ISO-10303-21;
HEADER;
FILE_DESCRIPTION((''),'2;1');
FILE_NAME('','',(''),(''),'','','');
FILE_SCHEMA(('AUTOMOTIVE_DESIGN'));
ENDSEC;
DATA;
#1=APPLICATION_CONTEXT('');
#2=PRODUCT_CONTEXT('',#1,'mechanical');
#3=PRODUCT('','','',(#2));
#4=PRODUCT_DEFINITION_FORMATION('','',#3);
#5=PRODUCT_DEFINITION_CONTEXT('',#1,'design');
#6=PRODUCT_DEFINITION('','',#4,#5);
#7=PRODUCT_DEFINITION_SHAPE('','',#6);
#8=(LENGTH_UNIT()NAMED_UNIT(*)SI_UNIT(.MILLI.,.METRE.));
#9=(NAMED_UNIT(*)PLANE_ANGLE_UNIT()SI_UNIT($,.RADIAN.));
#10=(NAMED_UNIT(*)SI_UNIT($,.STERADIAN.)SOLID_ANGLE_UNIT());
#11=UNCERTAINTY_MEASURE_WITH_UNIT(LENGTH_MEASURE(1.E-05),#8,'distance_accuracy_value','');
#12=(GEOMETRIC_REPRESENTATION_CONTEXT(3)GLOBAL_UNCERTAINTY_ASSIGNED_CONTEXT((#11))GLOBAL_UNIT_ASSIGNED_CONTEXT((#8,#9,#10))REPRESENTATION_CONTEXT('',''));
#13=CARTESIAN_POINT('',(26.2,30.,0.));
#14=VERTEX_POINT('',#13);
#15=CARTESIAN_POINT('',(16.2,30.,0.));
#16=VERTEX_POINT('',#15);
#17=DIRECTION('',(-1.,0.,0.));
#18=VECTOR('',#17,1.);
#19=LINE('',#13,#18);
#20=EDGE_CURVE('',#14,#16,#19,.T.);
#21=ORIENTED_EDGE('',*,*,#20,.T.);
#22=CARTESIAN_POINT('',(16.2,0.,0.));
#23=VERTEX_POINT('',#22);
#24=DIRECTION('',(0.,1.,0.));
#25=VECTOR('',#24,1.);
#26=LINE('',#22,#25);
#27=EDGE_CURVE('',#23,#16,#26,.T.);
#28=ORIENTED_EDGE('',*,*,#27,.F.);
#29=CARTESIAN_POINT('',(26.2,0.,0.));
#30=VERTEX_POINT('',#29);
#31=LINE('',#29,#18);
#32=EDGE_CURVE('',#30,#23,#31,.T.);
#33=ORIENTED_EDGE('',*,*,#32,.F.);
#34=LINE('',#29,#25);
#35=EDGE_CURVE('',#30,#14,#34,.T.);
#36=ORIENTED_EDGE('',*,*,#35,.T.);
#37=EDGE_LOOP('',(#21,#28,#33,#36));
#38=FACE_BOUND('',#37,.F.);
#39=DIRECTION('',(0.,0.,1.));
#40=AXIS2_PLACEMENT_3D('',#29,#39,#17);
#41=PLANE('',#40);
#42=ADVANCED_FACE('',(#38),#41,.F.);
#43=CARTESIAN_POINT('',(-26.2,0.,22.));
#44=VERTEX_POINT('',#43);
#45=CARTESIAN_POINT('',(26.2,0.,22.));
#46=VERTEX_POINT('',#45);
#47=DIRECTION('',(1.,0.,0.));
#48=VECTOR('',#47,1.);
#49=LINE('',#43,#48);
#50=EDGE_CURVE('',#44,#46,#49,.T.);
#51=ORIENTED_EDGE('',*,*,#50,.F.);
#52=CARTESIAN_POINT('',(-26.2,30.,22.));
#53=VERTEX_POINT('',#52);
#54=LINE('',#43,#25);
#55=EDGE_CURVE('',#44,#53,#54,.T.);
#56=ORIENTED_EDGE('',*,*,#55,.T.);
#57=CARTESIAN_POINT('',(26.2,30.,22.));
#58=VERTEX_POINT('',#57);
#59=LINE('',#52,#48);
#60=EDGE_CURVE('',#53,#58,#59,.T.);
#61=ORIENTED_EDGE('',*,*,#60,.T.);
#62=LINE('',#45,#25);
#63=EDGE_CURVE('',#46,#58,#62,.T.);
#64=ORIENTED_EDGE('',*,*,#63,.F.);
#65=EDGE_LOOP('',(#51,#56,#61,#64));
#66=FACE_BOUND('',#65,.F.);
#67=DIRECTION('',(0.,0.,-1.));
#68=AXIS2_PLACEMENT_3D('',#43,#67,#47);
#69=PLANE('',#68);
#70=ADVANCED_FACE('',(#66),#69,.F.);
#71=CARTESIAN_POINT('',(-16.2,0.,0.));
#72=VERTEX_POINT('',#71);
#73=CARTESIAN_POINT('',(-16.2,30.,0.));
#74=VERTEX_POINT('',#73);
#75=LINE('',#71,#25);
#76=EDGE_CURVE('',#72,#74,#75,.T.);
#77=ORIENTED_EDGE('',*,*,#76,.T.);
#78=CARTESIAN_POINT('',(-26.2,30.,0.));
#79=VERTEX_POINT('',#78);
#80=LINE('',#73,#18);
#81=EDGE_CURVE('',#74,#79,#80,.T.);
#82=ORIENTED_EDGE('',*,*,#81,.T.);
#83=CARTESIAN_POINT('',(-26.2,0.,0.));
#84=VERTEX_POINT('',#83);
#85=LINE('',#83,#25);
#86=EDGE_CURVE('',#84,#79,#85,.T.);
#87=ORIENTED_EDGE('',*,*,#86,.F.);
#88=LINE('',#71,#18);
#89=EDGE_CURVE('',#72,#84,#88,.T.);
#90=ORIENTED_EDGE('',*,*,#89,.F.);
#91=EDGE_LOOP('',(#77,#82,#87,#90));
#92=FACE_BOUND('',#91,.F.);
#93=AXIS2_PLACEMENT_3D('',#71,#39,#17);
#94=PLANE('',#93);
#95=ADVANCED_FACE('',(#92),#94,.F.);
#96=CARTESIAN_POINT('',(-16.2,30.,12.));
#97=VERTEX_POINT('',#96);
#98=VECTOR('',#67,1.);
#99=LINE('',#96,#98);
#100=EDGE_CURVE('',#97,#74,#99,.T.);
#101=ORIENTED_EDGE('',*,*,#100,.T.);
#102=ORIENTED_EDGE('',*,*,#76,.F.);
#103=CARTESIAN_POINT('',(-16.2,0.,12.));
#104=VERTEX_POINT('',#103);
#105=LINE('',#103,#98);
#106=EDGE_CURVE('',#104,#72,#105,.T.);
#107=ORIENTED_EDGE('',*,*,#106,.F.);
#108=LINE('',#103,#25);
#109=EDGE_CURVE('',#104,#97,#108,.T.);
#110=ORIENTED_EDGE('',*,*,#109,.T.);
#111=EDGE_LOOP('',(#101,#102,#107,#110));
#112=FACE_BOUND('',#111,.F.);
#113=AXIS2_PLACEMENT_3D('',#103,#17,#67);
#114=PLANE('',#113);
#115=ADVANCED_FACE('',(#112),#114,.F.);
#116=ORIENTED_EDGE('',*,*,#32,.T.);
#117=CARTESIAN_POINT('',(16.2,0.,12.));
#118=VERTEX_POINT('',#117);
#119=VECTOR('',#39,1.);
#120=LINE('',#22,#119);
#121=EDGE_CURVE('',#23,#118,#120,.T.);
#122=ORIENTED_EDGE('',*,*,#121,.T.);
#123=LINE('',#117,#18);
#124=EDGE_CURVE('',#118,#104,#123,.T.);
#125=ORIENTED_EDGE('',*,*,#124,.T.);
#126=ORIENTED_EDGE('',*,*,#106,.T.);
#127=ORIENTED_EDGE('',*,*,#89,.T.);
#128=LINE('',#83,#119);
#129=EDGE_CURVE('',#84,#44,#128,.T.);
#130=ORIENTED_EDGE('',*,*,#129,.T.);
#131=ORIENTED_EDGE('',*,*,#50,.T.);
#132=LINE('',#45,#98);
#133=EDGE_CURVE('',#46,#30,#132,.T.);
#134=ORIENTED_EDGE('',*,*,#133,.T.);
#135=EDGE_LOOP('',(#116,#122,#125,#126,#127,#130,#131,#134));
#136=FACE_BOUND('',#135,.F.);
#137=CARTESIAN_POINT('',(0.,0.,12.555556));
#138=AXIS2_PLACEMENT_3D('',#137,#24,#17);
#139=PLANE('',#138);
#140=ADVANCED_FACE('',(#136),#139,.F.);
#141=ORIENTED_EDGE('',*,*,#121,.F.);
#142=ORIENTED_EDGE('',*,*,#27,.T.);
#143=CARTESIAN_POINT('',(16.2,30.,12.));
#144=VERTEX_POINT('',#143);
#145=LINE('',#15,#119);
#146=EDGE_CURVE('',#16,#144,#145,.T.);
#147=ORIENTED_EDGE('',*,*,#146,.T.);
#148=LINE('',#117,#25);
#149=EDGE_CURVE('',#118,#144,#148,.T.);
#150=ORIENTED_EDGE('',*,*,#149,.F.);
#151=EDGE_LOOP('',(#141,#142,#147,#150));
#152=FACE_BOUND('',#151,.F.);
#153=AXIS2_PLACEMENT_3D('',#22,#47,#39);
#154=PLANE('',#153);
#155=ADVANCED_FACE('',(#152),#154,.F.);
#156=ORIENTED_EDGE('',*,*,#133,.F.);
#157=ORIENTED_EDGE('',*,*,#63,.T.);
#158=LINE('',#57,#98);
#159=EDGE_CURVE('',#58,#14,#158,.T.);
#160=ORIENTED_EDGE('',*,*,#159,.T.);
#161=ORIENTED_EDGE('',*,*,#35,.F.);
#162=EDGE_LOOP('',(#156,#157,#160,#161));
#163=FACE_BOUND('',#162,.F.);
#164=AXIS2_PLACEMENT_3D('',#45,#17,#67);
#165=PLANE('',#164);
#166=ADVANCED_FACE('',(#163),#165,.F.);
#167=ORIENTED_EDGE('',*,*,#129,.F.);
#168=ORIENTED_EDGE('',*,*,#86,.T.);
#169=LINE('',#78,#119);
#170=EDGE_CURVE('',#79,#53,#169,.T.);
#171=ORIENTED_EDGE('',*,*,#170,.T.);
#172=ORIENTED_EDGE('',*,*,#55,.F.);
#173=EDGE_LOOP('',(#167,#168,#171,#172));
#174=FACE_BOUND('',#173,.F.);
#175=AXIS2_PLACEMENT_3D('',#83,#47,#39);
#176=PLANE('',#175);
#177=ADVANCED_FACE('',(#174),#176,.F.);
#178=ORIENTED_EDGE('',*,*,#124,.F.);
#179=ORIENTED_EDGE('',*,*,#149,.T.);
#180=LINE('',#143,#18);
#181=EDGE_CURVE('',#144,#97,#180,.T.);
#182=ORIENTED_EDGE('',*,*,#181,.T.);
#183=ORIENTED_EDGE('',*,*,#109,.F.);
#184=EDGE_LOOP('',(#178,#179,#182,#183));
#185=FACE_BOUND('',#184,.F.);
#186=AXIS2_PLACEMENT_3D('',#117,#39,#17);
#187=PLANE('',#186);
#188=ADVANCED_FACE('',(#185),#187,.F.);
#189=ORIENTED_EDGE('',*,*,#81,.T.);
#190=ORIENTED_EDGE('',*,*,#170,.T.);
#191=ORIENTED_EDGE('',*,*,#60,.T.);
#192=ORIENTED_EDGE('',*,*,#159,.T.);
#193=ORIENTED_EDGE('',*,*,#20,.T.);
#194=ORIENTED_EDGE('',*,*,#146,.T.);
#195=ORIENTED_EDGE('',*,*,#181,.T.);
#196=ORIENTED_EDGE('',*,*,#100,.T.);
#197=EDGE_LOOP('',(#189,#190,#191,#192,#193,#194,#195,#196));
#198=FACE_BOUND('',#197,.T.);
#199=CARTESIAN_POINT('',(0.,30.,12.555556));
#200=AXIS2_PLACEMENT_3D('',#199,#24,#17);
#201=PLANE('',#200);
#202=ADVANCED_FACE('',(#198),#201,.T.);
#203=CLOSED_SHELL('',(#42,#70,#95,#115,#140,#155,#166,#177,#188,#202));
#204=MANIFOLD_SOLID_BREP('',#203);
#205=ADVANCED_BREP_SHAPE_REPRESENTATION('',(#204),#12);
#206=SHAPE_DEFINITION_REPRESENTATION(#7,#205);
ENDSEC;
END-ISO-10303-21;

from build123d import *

# Parameters (mm, degrees)
EXTRUDE_DEPTH                  = 30
EXTRUDE_ONTO_SKETCH_ROLL_ANGLE = 90


with BuildPart() as part:
    # Sketch as drawn → Extrude (new)
    with BuildSketch(Plane.XY):
        Polygon((-26.2, 22), (26.2, 22), (26.2, 0), (16.2, 0), (16.2, 12), (-16.2, 12), (-16.2, 0), (-26.2, 0), align=None)
    extrude(amount=-EXTRUDE_DEPTH)


with BuildPart() as part_1:
    # Extrude onto Sketch roll: moved
    add(part.part.rotate(Axis((0, 0, 0), (1, 0, 0)), EXTRUDE_ONTO_SKETCH_ROLL_ANGLE))


with BuildPart() as part_2:
    # Extrude onto Sketch placement: moved
    add(part_1.part)


solid = part_2.part
